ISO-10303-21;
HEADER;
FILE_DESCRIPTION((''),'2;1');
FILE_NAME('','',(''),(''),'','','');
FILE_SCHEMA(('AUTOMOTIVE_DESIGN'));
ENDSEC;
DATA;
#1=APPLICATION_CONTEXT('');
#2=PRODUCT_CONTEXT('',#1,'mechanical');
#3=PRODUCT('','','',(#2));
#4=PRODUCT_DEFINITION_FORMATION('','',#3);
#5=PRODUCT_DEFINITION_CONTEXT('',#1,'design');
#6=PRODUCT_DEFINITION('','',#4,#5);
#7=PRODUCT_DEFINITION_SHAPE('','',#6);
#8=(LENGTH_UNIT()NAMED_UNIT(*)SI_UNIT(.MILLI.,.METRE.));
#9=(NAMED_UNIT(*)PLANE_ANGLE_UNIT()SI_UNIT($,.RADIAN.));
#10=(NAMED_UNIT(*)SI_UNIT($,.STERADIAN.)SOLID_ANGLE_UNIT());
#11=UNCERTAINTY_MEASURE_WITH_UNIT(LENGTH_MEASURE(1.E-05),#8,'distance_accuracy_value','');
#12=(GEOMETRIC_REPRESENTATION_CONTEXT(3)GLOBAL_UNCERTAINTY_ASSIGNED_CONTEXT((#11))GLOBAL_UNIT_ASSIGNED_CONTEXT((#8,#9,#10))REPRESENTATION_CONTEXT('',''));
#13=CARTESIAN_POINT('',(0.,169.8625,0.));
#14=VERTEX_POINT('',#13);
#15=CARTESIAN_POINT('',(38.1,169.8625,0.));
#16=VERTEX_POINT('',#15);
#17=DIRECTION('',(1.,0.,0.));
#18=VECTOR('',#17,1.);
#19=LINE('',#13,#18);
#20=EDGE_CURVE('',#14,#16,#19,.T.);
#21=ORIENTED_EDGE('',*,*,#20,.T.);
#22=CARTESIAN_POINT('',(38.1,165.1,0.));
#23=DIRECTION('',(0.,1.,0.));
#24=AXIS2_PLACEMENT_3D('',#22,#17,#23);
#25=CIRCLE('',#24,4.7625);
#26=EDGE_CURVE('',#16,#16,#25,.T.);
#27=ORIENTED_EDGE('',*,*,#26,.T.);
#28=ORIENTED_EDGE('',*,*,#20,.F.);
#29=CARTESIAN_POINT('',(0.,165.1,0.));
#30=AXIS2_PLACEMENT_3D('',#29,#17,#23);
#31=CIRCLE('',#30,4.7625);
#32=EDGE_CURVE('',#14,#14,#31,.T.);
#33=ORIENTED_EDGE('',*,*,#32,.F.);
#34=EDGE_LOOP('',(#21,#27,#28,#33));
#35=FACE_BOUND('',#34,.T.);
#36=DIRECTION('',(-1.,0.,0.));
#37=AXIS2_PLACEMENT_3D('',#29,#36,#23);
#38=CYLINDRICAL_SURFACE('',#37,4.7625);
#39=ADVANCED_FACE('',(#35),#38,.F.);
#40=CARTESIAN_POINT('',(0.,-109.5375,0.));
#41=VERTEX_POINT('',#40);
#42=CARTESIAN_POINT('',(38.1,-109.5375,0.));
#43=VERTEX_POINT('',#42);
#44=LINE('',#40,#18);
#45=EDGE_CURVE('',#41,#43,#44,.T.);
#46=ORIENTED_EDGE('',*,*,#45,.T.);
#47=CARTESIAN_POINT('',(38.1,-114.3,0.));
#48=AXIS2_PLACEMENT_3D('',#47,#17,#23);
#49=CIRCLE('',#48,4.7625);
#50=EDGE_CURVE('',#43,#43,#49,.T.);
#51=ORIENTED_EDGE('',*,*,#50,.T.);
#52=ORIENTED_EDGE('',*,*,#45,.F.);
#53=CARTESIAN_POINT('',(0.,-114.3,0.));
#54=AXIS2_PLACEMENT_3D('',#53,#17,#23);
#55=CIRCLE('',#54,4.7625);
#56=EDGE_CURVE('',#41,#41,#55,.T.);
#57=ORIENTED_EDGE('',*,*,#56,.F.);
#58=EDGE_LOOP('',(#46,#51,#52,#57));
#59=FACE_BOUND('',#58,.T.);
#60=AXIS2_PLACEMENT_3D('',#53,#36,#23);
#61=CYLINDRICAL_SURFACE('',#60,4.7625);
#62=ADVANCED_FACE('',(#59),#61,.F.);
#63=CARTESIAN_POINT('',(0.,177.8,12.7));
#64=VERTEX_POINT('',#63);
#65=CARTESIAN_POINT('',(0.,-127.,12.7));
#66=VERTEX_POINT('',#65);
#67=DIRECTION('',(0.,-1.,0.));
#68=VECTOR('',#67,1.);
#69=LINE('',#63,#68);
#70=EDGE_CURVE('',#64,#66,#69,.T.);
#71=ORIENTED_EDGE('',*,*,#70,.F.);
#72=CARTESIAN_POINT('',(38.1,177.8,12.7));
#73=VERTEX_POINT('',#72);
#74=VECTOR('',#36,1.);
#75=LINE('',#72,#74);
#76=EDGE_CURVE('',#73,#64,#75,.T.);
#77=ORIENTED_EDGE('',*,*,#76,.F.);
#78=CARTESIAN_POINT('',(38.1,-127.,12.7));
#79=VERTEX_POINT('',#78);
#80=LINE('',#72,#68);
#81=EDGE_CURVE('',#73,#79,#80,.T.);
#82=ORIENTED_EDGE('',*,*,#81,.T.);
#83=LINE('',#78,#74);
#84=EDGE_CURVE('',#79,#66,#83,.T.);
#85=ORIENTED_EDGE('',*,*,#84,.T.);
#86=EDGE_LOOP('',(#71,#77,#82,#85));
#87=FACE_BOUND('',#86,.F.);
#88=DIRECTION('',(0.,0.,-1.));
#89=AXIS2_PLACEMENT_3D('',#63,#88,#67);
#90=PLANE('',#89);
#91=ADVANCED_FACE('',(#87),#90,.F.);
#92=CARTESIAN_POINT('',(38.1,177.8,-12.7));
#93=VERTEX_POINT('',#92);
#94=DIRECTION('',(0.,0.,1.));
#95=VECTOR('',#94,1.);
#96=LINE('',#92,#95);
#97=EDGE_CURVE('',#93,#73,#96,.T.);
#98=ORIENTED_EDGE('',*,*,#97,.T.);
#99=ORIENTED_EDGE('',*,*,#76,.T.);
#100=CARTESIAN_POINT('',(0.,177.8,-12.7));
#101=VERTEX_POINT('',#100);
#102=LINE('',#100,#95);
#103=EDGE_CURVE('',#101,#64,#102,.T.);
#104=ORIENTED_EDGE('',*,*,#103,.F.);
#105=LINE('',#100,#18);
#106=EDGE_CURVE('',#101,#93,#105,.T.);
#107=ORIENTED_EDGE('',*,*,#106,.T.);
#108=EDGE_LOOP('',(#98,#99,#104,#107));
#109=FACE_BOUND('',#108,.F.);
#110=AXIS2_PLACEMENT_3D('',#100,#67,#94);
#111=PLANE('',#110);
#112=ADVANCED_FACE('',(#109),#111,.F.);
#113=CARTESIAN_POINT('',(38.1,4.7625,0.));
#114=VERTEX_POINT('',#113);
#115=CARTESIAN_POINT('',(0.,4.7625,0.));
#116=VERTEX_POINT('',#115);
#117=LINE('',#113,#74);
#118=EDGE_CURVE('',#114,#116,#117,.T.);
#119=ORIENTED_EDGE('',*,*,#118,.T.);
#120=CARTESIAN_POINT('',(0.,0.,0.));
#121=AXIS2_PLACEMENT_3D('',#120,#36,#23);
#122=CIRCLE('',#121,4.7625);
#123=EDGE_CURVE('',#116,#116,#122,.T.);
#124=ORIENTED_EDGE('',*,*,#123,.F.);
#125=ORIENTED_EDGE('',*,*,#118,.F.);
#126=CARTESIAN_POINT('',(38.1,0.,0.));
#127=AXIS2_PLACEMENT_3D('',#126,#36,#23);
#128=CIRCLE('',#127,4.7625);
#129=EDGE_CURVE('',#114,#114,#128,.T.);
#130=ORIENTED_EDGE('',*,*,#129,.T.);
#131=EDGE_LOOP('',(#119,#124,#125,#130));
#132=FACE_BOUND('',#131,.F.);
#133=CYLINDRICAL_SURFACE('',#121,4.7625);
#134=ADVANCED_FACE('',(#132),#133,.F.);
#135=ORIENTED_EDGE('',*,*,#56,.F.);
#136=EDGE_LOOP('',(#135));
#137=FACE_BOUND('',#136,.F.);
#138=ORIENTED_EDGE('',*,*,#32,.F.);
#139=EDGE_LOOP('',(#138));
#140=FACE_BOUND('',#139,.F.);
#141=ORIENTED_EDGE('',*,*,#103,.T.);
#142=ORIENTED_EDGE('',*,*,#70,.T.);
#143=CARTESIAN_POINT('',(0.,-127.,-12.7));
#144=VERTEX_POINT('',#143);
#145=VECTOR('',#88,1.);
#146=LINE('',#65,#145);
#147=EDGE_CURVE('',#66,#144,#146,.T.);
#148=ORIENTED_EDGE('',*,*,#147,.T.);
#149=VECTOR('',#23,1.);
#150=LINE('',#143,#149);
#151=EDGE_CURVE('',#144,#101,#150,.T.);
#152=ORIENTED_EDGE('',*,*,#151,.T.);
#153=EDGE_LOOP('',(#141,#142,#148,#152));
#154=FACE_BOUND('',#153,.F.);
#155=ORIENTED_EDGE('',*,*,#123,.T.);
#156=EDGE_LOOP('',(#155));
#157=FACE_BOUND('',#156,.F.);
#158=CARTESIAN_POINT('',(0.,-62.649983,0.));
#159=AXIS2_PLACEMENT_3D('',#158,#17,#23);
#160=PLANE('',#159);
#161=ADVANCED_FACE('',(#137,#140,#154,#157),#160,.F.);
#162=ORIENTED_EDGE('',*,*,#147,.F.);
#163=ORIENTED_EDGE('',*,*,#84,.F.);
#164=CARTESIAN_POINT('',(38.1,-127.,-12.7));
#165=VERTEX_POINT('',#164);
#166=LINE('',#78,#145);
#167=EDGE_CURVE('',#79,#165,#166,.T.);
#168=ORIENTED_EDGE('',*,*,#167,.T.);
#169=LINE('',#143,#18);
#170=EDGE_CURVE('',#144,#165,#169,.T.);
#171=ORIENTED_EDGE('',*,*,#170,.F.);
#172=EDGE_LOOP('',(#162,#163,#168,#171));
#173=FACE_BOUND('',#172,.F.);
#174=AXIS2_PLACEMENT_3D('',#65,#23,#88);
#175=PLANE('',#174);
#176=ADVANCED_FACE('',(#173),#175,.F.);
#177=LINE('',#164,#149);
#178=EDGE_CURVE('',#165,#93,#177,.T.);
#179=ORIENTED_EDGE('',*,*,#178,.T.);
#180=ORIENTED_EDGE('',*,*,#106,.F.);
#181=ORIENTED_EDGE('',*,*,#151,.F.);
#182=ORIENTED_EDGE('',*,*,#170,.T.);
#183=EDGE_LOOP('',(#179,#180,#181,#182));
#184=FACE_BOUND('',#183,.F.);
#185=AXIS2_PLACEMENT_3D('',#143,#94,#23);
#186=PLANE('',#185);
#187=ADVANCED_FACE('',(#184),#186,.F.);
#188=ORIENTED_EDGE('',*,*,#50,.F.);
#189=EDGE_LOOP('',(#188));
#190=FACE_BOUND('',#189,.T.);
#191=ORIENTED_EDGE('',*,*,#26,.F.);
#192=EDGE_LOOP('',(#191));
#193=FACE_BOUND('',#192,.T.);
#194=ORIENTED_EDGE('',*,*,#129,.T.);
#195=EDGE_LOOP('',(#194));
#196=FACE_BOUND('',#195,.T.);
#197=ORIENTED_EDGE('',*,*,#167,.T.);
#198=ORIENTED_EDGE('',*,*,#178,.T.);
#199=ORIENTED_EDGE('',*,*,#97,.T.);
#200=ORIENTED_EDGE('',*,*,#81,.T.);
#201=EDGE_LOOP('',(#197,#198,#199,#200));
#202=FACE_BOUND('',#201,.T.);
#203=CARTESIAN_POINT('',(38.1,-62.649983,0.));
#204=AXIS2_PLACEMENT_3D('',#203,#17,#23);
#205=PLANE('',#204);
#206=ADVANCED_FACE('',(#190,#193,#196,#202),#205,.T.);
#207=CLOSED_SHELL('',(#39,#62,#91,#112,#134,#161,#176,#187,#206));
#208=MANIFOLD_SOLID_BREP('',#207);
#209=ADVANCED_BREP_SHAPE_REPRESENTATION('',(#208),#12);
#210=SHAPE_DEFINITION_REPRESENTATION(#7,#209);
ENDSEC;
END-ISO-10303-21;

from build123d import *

# Parameters (mm, degrees)
F0_R     = 4.7625
F1_DEPTH = 38.1
F2_DEPTH = 25.4


with BuildPart() as f1:
    # F0 (on Right) → F1 (new body)
    with BuildSketch(Plane.YZ):
        with BuildLine():
            Line((0, 12.7), (-127, 12.7))
            Line((-127, 12.7), (-127, -12.7))
            Line((-127, -12.7), (0, -12.7))
            Line((0, -12.7), (0, -4.7625))
            ThreePointArc((0, -4.7625), (-4.7625, 0), (0, 4.7625))
            Line((0, 4.7625), (0, 12.7))
        make_face()
        with Locations((-114.3, 0)):
            Circle(F0_R, mode=Mode.SUBTRACT)
        with BuildLine():
            Line((177.8, 12.7), (0, 12.7))
            Line((0, 12.7), (0, 4.7625))
            ThreePointArc((0, 4.7625), (3.3675960454, 3.3675960454), (4.7625, 0))
            ThreePointArc((4.7625, 0), (3.3675960454, -3.3675960454), (0, -4.7625))
            Line((0, -4.7625), (0, -12.7))
            Line((0, -12.7), (177.8, -12.7))
            Line((177.8, -12.7), (177.8, 12.7))
        make_face()
        with Locations((165.1, 0)):
            Circle(F0_R, mode=Mode.SUBTRACT)
    extrude(amount=F1_DEPTH)

    # F0 (on Right) → F2 (join)
    with BuildSketch(Plane.YZ):
        with BuildLine():
            Line((0, 12.7), (-127, 12.7))
            Line((-127, 12.7), (-127, -12.7))
            Line((-127, -12.7), (0, -12.7))
            Line((0, -12.7), (0, -4.7625))
            ThreePointArc((0, -4.7625), (-4.7625, 0), (0, 4.7625))
            Line((0, 4.7625), (0, 12.7))
        make_face()
        with Locations((-114.3, 0)):
            Circle(F0_R, mode=Mode.SUBTRACT)
        with BuildLine():
            Line((177.8, 12.7), (0, 12.7))
            Line((0, 12.7), (0, 4.7625))
            ThreePointArc((0, 4.7625), (3.3675960454, 3.3675960454), (4.7625, 0))
            ThreePointArc((4.7625, 0), (3.3675960454, -3.3675960454), (0, -4.7625))
            Line((0, -4.7625), (0, -12.7))
            Line((0, -12.7), (177.8, -12.7))
            Line((177.8, -12.7), (177.8, 12.7))
        make_face()
        with Locations((165.1, 0)):
            Circle(F0_R, mode=Mode.SUBTRACT)
    extrude(amount=F2_DEPTH)


solid = f1.part
